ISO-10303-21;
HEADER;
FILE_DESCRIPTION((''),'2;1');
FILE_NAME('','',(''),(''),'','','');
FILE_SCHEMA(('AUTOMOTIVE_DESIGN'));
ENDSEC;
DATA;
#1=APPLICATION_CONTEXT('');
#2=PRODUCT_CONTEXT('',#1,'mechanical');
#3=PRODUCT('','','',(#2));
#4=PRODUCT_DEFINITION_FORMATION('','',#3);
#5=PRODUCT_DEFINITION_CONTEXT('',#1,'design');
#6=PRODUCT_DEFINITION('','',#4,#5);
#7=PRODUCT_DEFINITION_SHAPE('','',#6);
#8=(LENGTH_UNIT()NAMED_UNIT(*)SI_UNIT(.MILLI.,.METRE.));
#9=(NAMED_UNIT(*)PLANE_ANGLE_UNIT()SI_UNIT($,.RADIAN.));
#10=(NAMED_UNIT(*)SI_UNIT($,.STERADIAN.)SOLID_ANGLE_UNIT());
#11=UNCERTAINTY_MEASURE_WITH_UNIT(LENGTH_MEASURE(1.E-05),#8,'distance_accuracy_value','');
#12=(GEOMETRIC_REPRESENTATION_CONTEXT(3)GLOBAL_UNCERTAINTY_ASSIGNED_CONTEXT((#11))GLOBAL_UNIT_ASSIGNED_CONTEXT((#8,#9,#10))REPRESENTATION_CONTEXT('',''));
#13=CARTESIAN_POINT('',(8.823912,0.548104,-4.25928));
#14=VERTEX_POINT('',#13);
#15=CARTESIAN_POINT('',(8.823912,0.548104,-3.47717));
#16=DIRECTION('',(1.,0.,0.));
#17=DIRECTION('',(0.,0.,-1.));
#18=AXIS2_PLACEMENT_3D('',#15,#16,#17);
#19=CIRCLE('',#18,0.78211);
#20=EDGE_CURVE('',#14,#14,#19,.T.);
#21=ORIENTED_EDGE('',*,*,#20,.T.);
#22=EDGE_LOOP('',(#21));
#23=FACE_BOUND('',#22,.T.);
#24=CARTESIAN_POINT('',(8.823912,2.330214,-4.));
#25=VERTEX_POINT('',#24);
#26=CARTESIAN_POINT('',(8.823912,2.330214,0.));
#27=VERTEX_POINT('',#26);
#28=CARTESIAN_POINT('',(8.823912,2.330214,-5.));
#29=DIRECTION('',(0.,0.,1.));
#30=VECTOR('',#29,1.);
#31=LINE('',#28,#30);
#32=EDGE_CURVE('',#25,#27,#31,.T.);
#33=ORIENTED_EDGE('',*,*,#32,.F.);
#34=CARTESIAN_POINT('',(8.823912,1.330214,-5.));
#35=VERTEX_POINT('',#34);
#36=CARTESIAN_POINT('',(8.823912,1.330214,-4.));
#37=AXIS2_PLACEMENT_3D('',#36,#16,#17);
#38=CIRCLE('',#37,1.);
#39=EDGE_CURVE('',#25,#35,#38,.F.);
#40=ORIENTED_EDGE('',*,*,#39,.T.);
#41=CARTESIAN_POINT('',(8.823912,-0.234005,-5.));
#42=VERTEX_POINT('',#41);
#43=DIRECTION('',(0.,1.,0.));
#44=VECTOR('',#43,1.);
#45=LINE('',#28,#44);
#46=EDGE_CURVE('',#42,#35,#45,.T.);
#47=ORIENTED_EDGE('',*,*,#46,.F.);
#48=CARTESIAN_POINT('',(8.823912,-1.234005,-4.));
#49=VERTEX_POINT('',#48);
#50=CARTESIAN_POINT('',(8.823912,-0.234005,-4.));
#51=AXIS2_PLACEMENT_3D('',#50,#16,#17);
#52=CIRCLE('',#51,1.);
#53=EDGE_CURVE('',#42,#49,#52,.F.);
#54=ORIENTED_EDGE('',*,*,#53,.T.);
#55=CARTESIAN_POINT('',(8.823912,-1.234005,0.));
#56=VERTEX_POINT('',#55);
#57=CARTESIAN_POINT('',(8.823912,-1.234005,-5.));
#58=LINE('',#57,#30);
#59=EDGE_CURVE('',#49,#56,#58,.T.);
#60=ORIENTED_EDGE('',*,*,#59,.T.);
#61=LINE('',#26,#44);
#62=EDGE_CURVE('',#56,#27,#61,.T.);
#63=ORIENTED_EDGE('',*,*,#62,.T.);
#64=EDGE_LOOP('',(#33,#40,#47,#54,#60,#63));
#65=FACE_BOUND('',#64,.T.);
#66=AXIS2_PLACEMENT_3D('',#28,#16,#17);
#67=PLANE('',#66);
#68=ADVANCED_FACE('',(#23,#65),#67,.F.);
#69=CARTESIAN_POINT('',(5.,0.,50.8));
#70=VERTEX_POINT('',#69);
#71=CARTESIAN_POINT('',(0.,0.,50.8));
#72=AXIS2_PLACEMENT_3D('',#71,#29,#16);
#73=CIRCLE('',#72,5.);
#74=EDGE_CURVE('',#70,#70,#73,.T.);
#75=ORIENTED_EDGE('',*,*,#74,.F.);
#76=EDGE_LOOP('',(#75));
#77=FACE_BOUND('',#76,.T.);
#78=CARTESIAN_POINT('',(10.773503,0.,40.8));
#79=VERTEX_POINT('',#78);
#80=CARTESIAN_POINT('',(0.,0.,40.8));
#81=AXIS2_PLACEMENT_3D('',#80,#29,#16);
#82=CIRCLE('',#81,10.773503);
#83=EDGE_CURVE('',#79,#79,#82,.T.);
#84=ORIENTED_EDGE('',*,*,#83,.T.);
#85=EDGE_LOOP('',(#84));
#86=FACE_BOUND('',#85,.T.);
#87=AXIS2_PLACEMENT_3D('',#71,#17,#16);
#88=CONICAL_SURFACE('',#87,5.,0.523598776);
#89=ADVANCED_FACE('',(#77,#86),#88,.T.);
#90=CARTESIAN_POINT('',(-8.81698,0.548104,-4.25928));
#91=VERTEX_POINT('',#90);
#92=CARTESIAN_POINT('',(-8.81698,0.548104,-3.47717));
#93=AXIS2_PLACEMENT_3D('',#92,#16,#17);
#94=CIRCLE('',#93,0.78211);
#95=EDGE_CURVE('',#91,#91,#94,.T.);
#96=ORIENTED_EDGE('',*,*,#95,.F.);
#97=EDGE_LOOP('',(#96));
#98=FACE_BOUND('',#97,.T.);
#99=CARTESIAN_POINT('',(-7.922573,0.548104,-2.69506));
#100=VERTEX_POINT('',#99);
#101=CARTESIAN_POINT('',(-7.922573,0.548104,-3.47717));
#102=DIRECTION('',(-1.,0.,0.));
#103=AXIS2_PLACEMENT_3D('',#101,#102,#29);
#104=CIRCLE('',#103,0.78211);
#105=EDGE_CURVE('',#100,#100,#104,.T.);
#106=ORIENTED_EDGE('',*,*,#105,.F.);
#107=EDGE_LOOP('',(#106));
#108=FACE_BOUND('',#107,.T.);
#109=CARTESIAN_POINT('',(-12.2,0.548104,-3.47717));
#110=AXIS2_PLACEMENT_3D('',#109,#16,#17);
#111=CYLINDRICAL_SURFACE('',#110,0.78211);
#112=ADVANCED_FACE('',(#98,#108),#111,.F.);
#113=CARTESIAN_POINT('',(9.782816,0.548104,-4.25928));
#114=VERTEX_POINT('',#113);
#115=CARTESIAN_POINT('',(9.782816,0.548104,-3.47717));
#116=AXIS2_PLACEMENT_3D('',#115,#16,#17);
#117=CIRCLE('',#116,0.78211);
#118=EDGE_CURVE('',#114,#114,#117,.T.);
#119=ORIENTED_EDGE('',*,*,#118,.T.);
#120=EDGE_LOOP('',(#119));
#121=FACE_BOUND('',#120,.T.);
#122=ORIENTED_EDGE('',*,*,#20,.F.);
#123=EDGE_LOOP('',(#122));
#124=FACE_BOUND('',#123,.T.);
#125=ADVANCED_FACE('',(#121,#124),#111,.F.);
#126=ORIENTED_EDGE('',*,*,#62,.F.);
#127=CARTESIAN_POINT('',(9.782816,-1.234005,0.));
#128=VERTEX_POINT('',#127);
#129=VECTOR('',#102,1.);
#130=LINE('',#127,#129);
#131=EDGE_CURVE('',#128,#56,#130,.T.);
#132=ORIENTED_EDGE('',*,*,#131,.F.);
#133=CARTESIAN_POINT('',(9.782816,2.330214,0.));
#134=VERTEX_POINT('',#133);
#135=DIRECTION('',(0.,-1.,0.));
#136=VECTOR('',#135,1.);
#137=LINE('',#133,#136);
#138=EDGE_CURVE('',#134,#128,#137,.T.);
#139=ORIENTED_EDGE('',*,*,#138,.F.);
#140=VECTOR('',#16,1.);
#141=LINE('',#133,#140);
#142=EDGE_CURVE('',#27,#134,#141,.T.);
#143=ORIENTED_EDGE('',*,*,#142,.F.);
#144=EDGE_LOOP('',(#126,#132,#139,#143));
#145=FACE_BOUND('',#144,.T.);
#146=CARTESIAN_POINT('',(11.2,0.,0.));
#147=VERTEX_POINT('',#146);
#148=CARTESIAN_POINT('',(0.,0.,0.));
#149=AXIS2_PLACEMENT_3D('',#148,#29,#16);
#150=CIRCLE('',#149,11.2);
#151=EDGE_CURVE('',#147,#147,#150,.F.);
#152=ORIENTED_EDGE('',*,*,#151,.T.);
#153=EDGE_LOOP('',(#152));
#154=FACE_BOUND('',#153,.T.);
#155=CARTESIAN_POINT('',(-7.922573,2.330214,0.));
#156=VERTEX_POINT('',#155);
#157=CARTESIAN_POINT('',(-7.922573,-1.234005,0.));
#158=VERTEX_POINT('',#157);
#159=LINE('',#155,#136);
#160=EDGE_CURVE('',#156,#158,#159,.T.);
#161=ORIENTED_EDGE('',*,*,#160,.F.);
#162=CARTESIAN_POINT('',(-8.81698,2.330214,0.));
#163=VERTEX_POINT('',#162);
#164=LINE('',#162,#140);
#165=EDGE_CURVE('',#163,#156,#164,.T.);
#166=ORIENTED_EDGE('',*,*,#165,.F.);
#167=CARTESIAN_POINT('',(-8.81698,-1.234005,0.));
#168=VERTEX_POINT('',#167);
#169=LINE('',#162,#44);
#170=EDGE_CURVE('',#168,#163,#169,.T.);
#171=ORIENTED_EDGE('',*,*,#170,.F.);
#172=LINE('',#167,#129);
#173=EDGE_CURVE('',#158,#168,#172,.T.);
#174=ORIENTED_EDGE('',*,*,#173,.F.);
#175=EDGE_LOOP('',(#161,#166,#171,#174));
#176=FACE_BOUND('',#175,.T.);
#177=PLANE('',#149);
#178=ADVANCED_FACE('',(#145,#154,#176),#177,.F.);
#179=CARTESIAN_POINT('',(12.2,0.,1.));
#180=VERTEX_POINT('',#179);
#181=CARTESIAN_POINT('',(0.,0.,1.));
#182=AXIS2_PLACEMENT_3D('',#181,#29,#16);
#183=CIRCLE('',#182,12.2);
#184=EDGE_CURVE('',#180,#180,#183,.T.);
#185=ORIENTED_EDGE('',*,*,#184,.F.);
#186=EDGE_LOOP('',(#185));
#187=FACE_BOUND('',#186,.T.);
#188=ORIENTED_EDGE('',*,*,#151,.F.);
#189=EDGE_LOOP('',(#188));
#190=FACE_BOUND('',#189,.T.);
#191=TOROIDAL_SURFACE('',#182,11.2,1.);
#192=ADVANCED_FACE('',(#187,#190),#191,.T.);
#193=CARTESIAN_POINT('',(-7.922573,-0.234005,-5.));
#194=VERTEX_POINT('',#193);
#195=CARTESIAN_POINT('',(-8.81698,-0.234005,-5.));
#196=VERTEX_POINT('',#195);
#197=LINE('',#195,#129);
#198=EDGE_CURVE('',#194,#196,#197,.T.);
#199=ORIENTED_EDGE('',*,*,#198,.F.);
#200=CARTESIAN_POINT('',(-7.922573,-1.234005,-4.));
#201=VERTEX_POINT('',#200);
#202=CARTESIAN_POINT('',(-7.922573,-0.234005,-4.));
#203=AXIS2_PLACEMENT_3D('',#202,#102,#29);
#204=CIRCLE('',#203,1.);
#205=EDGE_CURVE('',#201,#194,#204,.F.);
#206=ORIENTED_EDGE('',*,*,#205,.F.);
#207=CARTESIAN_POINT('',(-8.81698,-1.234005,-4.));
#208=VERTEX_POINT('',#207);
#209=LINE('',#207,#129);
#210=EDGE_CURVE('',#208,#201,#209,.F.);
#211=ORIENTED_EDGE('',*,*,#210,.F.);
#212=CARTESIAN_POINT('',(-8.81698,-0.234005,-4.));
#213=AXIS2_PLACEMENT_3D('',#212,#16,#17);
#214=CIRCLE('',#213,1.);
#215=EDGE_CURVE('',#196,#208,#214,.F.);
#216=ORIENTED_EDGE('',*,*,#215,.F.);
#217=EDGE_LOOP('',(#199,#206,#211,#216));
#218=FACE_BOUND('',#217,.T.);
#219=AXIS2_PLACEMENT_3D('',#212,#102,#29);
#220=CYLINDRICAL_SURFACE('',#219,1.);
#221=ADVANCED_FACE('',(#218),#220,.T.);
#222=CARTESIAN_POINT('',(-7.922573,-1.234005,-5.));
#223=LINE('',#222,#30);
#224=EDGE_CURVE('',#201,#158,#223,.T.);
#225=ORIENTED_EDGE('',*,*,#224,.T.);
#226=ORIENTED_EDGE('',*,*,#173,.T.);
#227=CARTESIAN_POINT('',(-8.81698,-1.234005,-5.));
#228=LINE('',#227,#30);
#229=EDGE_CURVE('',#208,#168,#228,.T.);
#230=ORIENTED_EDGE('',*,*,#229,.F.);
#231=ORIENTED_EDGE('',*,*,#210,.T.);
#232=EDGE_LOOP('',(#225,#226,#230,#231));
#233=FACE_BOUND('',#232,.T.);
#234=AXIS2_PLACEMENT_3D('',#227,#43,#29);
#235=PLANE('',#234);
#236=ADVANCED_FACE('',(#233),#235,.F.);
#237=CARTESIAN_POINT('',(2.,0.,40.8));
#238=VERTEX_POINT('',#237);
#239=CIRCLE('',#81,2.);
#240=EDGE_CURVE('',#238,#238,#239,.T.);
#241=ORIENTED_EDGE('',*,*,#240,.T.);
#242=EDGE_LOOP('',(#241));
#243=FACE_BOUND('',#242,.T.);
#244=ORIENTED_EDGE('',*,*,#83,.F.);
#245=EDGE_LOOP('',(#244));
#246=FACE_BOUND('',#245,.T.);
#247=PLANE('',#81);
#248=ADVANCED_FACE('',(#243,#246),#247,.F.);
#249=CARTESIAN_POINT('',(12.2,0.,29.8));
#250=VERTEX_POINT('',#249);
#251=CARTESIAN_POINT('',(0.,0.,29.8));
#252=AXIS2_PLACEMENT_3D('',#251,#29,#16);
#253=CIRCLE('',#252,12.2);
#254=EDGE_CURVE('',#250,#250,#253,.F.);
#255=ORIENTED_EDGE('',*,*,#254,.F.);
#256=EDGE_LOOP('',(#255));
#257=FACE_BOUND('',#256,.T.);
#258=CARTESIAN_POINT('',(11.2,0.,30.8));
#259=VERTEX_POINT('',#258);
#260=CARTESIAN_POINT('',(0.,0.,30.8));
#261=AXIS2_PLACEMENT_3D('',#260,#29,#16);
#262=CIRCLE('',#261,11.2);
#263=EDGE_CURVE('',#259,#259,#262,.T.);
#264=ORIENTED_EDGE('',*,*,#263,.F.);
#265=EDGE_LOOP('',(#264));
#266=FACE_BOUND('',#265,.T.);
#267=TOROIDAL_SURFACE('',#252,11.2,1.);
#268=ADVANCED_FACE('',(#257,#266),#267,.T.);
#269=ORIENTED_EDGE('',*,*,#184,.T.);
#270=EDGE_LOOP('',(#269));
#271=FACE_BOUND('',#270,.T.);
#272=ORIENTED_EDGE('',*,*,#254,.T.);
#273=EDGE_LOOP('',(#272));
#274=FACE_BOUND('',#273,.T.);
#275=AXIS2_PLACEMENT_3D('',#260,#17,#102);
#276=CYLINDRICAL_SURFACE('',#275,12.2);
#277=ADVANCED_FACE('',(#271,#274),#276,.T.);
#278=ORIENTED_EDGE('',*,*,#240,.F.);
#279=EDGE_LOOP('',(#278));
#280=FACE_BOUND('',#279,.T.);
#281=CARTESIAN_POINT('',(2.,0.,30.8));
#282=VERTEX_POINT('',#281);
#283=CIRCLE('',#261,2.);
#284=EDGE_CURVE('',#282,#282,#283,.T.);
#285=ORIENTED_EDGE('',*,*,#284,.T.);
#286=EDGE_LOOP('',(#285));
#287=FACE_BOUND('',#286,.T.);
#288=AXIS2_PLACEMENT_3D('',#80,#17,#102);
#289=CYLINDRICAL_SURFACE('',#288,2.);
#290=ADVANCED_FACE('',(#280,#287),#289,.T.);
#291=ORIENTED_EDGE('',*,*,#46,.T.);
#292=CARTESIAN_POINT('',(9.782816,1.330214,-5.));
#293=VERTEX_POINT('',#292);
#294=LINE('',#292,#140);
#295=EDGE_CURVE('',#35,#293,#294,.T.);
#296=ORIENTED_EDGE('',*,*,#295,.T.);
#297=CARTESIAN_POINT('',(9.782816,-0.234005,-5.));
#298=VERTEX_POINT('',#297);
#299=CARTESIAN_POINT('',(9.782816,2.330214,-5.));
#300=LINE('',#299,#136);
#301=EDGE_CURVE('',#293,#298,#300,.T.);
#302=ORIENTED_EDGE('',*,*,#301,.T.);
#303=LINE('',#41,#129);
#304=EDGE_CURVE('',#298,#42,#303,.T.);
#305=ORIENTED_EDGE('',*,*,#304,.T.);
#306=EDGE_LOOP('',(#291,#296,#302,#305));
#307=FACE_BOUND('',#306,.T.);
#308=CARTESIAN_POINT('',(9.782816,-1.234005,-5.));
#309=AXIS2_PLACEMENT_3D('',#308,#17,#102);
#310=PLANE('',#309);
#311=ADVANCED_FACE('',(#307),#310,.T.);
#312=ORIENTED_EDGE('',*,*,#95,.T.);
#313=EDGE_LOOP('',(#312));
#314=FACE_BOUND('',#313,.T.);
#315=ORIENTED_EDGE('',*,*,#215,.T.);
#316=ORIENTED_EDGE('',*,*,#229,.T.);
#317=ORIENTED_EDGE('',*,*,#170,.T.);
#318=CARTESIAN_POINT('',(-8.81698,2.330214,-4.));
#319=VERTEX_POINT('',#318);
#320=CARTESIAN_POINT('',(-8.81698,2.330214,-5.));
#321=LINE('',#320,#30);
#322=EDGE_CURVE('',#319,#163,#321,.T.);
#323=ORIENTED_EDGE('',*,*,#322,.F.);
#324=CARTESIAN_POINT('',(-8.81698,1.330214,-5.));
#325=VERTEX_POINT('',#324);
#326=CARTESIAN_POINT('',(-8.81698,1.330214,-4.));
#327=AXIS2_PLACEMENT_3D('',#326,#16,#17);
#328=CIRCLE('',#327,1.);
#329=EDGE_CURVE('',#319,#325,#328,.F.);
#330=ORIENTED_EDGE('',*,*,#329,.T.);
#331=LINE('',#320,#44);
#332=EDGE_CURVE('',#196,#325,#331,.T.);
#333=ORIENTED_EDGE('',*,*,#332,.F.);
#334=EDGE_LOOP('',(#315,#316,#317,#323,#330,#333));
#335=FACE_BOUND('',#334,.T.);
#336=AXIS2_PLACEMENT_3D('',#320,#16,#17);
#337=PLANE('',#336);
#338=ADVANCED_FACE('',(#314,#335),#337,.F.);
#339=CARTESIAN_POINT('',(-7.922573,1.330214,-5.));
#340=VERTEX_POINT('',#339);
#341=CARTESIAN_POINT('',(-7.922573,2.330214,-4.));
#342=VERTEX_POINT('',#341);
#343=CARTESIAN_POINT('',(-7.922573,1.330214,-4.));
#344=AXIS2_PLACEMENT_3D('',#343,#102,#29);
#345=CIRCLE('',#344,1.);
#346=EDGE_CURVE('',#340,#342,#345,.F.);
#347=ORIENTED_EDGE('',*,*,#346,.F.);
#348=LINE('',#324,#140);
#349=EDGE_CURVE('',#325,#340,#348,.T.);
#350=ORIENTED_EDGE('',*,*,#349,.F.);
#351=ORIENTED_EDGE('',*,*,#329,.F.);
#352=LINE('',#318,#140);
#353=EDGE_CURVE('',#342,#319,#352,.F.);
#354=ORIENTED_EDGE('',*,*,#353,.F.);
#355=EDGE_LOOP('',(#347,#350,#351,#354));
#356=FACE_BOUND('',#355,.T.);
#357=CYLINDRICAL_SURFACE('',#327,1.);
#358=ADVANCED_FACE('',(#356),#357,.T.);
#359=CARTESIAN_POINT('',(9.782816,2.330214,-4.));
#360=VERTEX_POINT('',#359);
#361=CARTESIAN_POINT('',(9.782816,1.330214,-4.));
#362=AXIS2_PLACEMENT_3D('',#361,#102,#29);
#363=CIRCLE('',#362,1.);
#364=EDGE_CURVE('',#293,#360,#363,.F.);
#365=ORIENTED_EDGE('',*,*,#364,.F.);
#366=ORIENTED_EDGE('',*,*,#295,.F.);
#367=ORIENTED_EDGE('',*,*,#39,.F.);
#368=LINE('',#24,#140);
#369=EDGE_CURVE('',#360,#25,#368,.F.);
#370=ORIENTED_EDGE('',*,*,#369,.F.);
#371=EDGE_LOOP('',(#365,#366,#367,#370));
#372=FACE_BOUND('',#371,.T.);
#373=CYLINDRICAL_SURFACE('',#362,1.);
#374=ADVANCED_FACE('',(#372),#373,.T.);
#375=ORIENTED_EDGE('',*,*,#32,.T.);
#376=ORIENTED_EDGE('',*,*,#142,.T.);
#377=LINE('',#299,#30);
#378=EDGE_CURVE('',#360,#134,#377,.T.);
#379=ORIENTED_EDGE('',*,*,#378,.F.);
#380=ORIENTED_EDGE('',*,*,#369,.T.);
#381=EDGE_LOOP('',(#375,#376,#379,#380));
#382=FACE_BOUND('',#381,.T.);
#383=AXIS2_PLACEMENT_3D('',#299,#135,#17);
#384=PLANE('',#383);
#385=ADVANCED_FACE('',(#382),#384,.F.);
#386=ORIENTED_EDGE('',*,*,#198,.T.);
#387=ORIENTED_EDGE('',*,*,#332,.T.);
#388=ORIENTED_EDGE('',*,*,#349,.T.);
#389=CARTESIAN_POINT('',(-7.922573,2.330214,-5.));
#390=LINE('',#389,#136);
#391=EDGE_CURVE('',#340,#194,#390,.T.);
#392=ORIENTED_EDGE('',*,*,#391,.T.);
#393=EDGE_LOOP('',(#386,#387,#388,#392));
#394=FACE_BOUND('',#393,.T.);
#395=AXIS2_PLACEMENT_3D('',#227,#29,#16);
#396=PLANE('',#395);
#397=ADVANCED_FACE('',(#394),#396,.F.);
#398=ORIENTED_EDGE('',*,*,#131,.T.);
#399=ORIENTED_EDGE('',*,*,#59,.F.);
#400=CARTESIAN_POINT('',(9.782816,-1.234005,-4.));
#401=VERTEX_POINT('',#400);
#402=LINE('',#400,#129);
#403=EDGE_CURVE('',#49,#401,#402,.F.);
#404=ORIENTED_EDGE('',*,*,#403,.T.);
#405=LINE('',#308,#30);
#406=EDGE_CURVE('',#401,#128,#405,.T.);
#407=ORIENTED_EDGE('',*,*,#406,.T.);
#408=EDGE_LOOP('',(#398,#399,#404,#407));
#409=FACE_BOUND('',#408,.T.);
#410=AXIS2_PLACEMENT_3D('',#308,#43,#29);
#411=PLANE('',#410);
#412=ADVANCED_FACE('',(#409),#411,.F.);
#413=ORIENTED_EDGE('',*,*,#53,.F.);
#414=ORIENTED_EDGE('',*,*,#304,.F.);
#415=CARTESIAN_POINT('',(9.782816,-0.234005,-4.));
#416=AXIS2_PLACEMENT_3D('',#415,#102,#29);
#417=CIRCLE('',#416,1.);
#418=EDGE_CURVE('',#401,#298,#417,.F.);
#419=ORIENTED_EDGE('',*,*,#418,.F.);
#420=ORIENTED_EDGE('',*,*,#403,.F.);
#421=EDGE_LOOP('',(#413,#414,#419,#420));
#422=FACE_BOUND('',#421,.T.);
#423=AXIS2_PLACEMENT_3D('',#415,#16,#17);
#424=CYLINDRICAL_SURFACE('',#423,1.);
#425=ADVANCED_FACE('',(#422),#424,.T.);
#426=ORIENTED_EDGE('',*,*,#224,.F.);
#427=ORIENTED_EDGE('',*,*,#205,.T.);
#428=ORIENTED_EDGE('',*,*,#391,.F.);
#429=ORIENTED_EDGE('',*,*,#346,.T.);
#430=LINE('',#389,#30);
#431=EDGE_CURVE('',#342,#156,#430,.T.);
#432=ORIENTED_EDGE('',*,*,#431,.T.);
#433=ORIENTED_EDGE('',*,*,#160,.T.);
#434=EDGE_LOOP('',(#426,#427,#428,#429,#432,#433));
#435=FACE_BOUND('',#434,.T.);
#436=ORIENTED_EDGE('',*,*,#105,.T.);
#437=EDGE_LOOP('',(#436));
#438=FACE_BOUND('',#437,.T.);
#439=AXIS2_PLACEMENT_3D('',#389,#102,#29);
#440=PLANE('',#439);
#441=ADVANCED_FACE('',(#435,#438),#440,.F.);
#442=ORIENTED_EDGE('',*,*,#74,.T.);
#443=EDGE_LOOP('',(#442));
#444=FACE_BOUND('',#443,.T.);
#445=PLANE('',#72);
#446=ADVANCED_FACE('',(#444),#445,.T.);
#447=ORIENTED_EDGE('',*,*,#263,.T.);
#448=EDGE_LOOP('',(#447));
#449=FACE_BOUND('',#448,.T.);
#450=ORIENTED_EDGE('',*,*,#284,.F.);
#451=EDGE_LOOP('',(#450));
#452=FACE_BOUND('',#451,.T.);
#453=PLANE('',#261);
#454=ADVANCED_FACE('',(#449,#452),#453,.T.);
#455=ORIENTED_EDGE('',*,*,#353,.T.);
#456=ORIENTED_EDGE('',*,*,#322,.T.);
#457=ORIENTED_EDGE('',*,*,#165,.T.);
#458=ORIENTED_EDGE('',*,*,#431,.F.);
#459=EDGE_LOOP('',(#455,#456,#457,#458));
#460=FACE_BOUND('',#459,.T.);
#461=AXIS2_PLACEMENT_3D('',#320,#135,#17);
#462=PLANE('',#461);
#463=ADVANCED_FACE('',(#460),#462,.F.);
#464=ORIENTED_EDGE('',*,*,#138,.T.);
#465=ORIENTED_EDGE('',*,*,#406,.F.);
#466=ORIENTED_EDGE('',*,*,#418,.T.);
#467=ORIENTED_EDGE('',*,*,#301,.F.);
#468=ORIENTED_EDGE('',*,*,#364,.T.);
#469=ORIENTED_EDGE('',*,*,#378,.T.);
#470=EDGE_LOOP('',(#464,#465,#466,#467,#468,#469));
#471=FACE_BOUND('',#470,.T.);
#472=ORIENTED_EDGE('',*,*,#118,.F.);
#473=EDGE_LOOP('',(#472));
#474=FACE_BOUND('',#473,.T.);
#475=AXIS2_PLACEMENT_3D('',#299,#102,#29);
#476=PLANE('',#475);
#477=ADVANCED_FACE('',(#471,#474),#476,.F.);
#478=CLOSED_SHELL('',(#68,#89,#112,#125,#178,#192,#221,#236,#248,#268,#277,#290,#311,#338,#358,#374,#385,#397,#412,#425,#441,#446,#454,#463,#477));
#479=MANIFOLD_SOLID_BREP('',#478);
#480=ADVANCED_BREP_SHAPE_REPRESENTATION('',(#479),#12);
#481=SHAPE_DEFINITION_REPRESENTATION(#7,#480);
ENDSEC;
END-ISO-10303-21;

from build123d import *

# Parameters (mm, degrees)
ESBO_O1_R                = 12.2
RESSALTO_EXTRUS_O1_DEPTH = 30.8
FILETE1_R                = 1
ESBO_O2_R                = 2
RESSALTO_EXTRUS_O2_DEPTH = 10
ESBO_O4_W                = 0.958903526
ESBO_O4_H                = 3.564219336
ESBO_O4_W_2              = 0.894406544
RESSALTO_EXTRUS_O3_DEPTH = 5
FILETE2_R                = 1
ESBO_O5_R                = 0.782109668
CORTE_EXTRUS_O2_DEPTH    = 22.982815538
ESBO_O6_R                = 5
RESSALTO_EXTRUS_O5_DEPTH = 10
INCLINA_O3_ANGLE         = 30


with BuildPart() as part:
    # Esboço1 → Ressalto-extrusão1 (new body)
    with BuildSketch(Plane.XY):
        Circle(ESBO_O1_R)
    extrude(amount=RESSALTO_EXTRUS_O1_DEPTH)

    # Filete1
    filete1_edges = [part.edges().sort_by_distance(p)[0] for p in [
        (-12.2, 0, 0),
        (-12.2, 0, 30.8),
    ]]
    fillet(filete1_edges, radius=FILETE1_R)

    # Esboço2 → Ressalto-extrusão2 (add)
    with BuildSketch(Plane.XY.offset(30.8)):
        Circle(ESBO_O2_R)
    extrude(amount=RESSALTO_EXTRUS_O2_DEPTH)

    # Esboço4 → Ressalto-extrusão3 (add)
    with BuildSketch(Plane(origin=(0, 0, 0), x_dir=(-1, 0, 0), z_dir=(0, 0, -1))):
        with Locations((-9.303363775, 0.548104497)):
            Rectangle(ESBO_O4_W, ESBO_O4_H)
        with Locations((8.369776419, 0.548104497)):
            Rectangle(ESBO_O4_W_2, ESBO_O4_H)
    extrude(amount=RESSALTO_EXTRUS_O3_DEPTH)

    # Filete2
    filete2_edges = [part.edges().sort_by_distance(p)[0] for p in [
        (9.303363775, -1.234005171, -5),
        (9.303363775, 2.330214165, -5),
        (-8.369776419, 2.330214165, -5),
        (-8.369776419, -1.234005171, -5),
    ]]
    fillet(filete2_edges, radius=FILETE2_R)

    # Esboço5 → Corte-extrusão2 (cut, through all)
    with BuildSketch(Plane(origin=(9.782815538, 0, 0), x_dir=(0, 0, -1), z_dir=(1, 0, 0))):
        with Locations((3.47716986, 0.548104497)):
            Circle(ESBO_O5_R)
    extrude(amount=-CORTE_EXTRUS_O2_DEPTH, mode=Mode.SUBTRACT)

    # Esboço6 → Ressalto-extrusão5 (add)
    with BuildSketch(Plane.XY.offset(40.8)):
        Circle(ESBO_O6_R)
    extrude(amount=RESSALTO_EXTRUS_O5_DEPTH)

    # Inclinação3
    inclina_o3_faces = [part.faces().sort_by_distance(p)[0] for p in [
        (-5, 0, 45.8),
    ]]
    draft(inclina_o3_faces, Plane.XY.offset(50.8), INCLINA_O3_ANGLE)


solid = part.part
